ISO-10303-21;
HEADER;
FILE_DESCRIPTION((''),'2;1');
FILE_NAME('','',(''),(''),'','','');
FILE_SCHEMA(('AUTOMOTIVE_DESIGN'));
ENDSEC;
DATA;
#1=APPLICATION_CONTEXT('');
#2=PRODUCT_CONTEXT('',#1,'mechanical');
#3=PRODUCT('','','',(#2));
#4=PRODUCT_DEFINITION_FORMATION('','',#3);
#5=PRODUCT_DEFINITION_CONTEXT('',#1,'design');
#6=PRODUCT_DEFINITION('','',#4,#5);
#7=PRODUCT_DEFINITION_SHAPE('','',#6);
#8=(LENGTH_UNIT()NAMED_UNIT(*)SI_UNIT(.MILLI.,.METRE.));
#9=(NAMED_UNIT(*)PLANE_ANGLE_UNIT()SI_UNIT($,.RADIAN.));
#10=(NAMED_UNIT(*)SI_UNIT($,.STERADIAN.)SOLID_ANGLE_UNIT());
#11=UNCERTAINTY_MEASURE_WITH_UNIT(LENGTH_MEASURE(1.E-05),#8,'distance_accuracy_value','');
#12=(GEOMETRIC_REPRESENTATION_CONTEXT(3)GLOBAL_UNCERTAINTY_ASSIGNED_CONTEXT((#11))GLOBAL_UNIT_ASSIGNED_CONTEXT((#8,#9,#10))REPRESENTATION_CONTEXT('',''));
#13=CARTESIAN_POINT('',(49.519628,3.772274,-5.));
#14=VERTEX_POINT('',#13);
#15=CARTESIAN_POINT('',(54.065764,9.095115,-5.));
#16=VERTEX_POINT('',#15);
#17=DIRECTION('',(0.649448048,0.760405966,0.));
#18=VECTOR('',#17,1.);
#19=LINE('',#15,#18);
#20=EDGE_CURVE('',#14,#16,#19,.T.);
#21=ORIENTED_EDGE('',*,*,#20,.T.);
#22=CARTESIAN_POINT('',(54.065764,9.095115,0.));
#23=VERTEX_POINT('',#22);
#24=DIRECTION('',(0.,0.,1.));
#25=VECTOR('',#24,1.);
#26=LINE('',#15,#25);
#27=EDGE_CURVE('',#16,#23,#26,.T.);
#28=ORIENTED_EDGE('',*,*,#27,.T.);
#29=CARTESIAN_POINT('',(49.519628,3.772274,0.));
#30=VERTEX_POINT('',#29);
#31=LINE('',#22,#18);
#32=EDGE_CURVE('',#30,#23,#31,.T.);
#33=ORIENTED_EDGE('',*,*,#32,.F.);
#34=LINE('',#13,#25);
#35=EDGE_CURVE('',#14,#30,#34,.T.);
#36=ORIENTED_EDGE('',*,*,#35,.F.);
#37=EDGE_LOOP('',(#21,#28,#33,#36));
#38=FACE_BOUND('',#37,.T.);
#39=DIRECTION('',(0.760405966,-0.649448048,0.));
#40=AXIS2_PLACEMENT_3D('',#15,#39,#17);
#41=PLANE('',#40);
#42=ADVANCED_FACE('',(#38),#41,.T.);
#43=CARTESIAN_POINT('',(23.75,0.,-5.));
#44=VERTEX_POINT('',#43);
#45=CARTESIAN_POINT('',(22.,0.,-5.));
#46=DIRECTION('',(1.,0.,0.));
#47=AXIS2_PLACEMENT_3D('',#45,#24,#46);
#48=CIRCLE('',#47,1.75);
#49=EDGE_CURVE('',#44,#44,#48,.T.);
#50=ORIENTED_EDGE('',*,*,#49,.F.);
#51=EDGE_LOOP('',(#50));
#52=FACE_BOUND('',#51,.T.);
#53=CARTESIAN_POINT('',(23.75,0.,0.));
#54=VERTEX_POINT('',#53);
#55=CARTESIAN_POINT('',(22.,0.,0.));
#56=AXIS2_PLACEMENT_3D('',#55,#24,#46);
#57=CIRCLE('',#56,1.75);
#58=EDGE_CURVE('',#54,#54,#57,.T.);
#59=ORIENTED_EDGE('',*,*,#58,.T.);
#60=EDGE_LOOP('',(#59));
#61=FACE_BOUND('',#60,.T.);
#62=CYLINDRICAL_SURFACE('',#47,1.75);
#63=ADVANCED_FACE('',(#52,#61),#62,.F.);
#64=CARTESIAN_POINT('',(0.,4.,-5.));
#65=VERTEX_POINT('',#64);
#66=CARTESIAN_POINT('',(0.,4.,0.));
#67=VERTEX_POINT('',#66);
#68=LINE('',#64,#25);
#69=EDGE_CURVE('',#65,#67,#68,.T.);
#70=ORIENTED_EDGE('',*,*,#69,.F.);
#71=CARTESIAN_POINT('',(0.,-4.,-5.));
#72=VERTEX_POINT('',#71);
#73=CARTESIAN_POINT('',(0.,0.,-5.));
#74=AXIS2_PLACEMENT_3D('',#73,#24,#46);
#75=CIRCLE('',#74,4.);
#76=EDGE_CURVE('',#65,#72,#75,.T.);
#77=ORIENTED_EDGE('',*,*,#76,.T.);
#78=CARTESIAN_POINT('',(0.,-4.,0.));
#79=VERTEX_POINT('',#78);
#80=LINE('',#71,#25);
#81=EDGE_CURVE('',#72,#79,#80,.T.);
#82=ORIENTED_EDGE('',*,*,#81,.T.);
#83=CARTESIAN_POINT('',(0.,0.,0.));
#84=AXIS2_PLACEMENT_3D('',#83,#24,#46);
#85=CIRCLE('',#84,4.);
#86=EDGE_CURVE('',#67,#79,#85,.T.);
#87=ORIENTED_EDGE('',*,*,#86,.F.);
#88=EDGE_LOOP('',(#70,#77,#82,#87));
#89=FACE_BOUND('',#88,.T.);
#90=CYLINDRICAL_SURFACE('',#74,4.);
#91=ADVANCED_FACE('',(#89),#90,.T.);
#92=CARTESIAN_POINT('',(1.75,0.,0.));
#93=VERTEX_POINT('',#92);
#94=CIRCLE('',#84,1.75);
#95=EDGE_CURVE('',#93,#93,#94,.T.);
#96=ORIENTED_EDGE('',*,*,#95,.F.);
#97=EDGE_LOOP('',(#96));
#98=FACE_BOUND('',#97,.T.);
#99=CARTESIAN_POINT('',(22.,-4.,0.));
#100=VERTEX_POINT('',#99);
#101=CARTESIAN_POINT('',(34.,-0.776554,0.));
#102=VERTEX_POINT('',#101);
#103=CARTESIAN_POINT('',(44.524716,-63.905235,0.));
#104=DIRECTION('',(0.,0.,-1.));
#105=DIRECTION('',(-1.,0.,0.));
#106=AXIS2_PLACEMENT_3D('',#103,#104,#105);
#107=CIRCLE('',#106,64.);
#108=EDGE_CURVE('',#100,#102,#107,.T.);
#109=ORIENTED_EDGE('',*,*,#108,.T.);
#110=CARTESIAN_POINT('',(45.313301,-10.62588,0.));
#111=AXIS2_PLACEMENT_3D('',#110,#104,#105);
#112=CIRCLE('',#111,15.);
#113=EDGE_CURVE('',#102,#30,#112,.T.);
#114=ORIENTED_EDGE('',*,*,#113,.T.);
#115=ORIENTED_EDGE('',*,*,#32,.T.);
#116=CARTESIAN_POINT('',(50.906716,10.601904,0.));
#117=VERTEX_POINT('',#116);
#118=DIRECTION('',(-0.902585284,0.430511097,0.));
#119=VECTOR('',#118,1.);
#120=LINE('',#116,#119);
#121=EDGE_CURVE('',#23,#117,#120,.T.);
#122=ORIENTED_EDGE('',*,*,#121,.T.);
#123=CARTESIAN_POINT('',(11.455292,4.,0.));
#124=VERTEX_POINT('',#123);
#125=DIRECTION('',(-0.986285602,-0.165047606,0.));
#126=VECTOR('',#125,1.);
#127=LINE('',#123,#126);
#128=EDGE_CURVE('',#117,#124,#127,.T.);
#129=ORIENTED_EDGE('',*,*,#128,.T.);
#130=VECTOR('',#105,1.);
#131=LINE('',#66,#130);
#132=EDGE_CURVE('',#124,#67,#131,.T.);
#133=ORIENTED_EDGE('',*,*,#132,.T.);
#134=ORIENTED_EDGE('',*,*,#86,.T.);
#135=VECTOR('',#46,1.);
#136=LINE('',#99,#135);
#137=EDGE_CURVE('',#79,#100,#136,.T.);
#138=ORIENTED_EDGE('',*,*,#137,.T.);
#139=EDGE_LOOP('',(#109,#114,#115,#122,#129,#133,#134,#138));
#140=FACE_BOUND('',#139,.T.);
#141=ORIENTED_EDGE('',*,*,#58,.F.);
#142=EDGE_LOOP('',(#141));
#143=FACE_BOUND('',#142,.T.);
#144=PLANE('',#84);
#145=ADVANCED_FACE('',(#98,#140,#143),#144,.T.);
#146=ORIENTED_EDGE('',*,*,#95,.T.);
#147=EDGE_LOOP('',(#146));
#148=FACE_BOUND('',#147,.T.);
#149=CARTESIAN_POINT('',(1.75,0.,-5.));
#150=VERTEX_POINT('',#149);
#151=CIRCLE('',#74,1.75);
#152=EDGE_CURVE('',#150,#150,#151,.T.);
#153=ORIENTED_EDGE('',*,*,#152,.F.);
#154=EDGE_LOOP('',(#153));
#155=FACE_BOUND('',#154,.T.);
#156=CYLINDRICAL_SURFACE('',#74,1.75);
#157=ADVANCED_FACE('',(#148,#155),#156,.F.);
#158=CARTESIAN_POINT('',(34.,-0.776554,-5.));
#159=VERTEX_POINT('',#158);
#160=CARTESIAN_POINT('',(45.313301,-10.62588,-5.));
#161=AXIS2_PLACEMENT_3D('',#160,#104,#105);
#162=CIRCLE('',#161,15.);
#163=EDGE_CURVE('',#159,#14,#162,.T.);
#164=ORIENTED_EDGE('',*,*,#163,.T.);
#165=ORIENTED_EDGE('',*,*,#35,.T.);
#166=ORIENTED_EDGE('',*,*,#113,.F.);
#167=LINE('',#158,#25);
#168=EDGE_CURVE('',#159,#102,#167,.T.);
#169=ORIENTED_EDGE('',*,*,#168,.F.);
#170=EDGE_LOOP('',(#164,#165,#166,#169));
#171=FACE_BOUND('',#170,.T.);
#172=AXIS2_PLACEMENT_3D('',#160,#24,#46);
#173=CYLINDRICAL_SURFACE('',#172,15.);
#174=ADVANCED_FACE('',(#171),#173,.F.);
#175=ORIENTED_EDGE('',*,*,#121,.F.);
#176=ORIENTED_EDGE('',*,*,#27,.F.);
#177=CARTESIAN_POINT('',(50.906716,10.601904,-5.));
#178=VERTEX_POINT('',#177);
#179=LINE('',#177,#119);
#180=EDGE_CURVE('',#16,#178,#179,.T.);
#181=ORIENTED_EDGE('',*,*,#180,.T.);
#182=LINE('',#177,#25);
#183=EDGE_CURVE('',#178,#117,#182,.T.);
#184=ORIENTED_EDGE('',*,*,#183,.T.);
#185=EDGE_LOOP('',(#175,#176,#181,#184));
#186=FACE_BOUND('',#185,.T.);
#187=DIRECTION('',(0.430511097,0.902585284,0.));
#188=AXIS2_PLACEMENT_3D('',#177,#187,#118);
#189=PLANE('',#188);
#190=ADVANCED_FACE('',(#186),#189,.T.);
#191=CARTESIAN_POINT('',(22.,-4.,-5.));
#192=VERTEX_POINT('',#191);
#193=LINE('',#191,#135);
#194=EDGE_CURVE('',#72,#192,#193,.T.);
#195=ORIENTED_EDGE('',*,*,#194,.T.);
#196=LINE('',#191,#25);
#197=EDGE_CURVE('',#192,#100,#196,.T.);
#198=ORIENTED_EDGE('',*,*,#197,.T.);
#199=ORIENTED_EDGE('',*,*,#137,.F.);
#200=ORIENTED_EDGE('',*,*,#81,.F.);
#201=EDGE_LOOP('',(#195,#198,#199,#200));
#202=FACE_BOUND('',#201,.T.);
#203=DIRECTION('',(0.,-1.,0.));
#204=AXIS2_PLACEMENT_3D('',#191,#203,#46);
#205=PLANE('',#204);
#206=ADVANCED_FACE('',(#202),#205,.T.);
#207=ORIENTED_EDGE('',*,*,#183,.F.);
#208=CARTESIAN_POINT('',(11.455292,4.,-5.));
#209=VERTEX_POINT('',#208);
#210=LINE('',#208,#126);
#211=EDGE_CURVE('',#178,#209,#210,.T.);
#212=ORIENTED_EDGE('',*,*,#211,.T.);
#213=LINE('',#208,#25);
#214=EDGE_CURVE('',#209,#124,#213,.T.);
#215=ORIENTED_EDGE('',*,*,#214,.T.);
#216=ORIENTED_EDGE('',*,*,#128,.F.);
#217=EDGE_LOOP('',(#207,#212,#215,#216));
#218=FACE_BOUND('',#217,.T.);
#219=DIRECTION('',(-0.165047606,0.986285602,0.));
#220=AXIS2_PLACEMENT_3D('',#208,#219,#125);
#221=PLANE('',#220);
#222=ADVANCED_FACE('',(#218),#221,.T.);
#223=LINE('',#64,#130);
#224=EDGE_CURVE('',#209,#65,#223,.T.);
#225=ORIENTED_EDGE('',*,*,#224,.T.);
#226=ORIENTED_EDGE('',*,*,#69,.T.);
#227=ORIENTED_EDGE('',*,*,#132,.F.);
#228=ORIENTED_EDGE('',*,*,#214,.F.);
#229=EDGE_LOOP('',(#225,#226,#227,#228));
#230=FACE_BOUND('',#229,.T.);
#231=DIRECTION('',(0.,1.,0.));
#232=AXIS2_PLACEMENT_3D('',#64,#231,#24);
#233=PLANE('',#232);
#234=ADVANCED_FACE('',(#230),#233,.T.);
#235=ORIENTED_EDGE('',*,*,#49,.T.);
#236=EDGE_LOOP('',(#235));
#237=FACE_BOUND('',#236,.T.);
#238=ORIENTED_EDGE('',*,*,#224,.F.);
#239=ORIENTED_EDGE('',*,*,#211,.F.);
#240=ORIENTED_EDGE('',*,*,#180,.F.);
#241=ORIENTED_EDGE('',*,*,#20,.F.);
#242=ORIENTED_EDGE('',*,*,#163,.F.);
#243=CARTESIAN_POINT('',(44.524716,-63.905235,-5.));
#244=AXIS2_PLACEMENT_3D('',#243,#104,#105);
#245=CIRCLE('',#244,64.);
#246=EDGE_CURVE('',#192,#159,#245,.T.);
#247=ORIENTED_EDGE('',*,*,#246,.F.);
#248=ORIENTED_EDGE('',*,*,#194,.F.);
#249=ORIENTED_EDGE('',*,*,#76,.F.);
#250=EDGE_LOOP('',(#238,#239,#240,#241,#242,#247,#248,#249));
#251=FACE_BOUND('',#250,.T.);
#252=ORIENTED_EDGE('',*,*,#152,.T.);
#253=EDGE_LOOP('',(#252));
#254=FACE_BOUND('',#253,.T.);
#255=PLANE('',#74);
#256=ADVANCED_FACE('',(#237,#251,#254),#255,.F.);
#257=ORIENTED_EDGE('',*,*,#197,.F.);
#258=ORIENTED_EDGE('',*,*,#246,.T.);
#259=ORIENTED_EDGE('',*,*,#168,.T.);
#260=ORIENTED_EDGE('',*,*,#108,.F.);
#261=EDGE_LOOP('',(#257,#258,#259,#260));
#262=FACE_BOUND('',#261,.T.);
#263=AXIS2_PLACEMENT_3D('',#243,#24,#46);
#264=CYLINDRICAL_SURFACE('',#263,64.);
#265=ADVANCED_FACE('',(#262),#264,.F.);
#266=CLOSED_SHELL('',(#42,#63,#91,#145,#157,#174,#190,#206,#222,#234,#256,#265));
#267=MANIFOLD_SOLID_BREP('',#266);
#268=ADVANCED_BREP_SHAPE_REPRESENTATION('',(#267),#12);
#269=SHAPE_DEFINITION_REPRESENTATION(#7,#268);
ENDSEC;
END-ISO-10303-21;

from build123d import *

# Parameters (mm, degrees)
SKETCH1_R           = 1.75
BOSS_EXTRUDE1_DEPTH = 5


with BuildPart() as part:
    # Sketch1 → Boss-Extrude1 (new body)
    with BuildSketch(Plane.XY):
        with BuildLine():
            Line((0, 4), (11.455291715, 4))
            Line((11.455291715, 4), (50.906715776, 10.601904234))
            Line((50.906715776, 10.601904234), (54.065764272, 9.095115396))
            Line((54.065764272, 9.095115396), (49.519627933, 3.772273636))
            ThreePointArc((49.519627933, 3.772273636), (41.094269374, 3.768555825), (34, -0.776553935))
            ThreePointArc((34, -0.776553935), (27.921587079, -2.096367305), (22, -4))
            Line((22, -4), (0, -4))
            ThreePointArc((0, -4), (-4, 0), (0, 4))
        make_face()
        Circle(SKETCH1_R, mode=Mode.SUBTRACT)
        with Locations((22, 0)):
            Circle(SKETCH1_R, mode=Mode.SUBTRACT)
    extrude(amount=-BOSS_EXTRUDE1_DEPTH)


solid = part.part
